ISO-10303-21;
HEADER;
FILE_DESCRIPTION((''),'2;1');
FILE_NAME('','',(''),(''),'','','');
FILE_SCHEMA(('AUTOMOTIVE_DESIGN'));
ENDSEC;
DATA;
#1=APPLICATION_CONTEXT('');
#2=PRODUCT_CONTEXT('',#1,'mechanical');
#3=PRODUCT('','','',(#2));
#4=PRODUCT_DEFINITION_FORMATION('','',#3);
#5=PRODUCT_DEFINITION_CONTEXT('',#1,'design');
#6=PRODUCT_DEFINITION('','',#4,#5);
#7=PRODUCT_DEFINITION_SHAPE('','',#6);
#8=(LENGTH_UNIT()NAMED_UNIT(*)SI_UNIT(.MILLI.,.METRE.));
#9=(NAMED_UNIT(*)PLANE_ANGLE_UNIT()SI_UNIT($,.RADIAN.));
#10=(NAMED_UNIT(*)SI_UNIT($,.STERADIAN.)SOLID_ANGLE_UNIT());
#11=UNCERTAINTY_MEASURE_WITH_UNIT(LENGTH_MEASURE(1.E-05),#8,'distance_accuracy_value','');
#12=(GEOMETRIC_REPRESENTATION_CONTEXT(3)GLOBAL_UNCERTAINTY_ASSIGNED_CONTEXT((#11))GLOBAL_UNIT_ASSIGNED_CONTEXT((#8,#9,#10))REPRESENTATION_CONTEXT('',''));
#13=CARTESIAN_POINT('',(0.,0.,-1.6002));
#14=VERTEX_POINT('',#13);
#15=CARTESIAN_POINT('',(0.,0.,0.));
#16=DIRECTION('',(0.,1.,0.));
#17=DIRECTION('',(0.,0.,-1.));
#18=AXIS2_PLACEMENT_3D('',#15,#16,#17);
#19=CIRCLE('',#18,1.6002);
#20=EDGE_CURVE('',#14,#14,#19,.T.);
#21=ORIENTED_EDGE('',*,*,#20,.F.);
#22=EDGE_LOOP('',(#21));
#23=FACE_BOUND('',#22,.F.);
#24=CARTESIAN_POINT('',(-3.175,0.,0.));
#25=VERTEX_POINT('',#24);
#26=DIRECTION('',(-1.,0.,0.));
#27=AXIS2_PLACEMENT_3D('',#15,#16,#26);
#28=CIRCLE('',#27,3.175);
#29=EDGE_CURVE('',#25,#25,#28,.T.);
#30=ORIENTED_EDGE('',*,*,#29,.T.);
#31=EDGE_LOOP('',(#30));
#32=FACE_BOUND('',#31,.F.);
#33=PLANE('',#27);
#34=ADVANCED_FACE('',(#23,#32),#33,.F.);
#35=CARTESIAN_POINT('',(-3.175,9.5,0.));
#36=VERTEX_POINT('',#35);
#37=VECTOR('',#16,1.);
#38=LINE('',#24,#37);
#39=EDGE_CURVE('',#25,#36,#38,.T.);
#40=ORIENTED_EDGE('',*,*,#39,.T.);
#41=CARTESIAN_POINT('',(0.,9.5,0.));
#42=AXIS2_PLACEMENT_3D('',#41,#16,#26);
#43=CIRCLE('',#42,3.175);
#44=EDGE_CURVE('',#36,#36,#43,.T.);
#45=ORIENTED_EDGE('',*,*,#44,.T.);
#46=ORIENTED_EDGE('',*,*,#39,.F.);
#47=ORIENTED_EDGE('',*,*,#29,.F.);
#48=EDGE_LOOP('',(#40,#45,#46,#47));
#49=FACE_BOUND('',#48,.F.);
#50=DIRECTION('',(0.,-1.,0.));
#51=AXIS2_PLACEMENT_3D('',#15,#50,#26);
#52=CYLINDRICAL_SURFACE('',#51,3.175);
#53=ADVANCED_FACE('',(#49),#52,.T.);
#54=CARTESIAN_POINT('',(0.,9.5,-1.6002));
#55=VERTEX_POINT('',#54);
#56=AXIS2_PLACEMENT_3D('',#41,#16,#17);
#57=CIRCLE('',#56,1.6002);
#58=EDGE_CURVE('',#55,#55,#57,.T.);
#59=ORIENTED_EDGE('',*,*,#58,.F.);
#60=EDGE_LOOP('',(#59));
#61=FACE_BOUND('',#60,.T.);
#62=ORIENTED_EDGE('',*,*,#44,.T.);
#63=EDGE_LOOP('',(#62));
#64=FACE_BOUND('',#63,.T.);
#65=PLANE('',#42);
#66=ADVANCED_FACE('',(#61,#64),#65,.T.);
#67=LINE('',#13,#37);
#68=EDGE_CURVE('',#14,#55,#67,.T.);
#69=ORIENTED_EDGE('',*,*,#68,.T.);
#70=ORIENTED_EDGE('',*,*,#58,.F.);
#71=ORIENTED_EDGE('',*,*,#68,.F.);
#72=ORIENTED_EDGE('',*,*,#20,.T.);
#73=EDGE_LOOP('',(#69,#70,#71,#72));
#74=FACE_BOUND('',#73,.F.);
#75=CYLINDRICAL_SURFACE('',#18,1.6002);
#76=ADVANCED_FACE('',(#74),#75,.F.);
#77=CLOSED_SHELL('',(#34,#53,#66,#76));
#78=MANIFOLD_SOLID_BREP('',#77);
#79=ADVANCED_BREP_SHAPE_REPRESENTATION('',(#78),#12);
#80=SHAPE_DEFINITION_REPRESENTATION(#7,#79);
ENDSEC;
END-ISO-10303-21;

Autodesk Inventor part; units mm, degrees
ref_plane "YZ Plane" through (0, 0, 0) normal (1, 0, 0) x (0, 1, 0)
ref_plane "XZ Plane" through (0, 0, 0) normal (0, 1, 0) x (-1, 0, 0)
ref_plane "XY Plane" through (0, 0, 0) normal (0, 0, 1) x (1, 0, 0)
sketch "Sketch1" plane through (0, 0, 0) normal (0, 1, 0) x (-1, 0, 0)
  circle A0 centre (0, 0) radius 3.175
  dimension "d0" = 6.35
extrude "Extrusion1" add sketch "Sketch1" along normal blind 9.5
hole "Hole1" at (0, 0, 0) direction (0, 1, 0) diameter 3.2004 end through all clearance for "Flat Head Machine Screw" size "M3" standard "Ansi Metric M Profile"
properties part number "Spacer" material "Aluminum 6061"
